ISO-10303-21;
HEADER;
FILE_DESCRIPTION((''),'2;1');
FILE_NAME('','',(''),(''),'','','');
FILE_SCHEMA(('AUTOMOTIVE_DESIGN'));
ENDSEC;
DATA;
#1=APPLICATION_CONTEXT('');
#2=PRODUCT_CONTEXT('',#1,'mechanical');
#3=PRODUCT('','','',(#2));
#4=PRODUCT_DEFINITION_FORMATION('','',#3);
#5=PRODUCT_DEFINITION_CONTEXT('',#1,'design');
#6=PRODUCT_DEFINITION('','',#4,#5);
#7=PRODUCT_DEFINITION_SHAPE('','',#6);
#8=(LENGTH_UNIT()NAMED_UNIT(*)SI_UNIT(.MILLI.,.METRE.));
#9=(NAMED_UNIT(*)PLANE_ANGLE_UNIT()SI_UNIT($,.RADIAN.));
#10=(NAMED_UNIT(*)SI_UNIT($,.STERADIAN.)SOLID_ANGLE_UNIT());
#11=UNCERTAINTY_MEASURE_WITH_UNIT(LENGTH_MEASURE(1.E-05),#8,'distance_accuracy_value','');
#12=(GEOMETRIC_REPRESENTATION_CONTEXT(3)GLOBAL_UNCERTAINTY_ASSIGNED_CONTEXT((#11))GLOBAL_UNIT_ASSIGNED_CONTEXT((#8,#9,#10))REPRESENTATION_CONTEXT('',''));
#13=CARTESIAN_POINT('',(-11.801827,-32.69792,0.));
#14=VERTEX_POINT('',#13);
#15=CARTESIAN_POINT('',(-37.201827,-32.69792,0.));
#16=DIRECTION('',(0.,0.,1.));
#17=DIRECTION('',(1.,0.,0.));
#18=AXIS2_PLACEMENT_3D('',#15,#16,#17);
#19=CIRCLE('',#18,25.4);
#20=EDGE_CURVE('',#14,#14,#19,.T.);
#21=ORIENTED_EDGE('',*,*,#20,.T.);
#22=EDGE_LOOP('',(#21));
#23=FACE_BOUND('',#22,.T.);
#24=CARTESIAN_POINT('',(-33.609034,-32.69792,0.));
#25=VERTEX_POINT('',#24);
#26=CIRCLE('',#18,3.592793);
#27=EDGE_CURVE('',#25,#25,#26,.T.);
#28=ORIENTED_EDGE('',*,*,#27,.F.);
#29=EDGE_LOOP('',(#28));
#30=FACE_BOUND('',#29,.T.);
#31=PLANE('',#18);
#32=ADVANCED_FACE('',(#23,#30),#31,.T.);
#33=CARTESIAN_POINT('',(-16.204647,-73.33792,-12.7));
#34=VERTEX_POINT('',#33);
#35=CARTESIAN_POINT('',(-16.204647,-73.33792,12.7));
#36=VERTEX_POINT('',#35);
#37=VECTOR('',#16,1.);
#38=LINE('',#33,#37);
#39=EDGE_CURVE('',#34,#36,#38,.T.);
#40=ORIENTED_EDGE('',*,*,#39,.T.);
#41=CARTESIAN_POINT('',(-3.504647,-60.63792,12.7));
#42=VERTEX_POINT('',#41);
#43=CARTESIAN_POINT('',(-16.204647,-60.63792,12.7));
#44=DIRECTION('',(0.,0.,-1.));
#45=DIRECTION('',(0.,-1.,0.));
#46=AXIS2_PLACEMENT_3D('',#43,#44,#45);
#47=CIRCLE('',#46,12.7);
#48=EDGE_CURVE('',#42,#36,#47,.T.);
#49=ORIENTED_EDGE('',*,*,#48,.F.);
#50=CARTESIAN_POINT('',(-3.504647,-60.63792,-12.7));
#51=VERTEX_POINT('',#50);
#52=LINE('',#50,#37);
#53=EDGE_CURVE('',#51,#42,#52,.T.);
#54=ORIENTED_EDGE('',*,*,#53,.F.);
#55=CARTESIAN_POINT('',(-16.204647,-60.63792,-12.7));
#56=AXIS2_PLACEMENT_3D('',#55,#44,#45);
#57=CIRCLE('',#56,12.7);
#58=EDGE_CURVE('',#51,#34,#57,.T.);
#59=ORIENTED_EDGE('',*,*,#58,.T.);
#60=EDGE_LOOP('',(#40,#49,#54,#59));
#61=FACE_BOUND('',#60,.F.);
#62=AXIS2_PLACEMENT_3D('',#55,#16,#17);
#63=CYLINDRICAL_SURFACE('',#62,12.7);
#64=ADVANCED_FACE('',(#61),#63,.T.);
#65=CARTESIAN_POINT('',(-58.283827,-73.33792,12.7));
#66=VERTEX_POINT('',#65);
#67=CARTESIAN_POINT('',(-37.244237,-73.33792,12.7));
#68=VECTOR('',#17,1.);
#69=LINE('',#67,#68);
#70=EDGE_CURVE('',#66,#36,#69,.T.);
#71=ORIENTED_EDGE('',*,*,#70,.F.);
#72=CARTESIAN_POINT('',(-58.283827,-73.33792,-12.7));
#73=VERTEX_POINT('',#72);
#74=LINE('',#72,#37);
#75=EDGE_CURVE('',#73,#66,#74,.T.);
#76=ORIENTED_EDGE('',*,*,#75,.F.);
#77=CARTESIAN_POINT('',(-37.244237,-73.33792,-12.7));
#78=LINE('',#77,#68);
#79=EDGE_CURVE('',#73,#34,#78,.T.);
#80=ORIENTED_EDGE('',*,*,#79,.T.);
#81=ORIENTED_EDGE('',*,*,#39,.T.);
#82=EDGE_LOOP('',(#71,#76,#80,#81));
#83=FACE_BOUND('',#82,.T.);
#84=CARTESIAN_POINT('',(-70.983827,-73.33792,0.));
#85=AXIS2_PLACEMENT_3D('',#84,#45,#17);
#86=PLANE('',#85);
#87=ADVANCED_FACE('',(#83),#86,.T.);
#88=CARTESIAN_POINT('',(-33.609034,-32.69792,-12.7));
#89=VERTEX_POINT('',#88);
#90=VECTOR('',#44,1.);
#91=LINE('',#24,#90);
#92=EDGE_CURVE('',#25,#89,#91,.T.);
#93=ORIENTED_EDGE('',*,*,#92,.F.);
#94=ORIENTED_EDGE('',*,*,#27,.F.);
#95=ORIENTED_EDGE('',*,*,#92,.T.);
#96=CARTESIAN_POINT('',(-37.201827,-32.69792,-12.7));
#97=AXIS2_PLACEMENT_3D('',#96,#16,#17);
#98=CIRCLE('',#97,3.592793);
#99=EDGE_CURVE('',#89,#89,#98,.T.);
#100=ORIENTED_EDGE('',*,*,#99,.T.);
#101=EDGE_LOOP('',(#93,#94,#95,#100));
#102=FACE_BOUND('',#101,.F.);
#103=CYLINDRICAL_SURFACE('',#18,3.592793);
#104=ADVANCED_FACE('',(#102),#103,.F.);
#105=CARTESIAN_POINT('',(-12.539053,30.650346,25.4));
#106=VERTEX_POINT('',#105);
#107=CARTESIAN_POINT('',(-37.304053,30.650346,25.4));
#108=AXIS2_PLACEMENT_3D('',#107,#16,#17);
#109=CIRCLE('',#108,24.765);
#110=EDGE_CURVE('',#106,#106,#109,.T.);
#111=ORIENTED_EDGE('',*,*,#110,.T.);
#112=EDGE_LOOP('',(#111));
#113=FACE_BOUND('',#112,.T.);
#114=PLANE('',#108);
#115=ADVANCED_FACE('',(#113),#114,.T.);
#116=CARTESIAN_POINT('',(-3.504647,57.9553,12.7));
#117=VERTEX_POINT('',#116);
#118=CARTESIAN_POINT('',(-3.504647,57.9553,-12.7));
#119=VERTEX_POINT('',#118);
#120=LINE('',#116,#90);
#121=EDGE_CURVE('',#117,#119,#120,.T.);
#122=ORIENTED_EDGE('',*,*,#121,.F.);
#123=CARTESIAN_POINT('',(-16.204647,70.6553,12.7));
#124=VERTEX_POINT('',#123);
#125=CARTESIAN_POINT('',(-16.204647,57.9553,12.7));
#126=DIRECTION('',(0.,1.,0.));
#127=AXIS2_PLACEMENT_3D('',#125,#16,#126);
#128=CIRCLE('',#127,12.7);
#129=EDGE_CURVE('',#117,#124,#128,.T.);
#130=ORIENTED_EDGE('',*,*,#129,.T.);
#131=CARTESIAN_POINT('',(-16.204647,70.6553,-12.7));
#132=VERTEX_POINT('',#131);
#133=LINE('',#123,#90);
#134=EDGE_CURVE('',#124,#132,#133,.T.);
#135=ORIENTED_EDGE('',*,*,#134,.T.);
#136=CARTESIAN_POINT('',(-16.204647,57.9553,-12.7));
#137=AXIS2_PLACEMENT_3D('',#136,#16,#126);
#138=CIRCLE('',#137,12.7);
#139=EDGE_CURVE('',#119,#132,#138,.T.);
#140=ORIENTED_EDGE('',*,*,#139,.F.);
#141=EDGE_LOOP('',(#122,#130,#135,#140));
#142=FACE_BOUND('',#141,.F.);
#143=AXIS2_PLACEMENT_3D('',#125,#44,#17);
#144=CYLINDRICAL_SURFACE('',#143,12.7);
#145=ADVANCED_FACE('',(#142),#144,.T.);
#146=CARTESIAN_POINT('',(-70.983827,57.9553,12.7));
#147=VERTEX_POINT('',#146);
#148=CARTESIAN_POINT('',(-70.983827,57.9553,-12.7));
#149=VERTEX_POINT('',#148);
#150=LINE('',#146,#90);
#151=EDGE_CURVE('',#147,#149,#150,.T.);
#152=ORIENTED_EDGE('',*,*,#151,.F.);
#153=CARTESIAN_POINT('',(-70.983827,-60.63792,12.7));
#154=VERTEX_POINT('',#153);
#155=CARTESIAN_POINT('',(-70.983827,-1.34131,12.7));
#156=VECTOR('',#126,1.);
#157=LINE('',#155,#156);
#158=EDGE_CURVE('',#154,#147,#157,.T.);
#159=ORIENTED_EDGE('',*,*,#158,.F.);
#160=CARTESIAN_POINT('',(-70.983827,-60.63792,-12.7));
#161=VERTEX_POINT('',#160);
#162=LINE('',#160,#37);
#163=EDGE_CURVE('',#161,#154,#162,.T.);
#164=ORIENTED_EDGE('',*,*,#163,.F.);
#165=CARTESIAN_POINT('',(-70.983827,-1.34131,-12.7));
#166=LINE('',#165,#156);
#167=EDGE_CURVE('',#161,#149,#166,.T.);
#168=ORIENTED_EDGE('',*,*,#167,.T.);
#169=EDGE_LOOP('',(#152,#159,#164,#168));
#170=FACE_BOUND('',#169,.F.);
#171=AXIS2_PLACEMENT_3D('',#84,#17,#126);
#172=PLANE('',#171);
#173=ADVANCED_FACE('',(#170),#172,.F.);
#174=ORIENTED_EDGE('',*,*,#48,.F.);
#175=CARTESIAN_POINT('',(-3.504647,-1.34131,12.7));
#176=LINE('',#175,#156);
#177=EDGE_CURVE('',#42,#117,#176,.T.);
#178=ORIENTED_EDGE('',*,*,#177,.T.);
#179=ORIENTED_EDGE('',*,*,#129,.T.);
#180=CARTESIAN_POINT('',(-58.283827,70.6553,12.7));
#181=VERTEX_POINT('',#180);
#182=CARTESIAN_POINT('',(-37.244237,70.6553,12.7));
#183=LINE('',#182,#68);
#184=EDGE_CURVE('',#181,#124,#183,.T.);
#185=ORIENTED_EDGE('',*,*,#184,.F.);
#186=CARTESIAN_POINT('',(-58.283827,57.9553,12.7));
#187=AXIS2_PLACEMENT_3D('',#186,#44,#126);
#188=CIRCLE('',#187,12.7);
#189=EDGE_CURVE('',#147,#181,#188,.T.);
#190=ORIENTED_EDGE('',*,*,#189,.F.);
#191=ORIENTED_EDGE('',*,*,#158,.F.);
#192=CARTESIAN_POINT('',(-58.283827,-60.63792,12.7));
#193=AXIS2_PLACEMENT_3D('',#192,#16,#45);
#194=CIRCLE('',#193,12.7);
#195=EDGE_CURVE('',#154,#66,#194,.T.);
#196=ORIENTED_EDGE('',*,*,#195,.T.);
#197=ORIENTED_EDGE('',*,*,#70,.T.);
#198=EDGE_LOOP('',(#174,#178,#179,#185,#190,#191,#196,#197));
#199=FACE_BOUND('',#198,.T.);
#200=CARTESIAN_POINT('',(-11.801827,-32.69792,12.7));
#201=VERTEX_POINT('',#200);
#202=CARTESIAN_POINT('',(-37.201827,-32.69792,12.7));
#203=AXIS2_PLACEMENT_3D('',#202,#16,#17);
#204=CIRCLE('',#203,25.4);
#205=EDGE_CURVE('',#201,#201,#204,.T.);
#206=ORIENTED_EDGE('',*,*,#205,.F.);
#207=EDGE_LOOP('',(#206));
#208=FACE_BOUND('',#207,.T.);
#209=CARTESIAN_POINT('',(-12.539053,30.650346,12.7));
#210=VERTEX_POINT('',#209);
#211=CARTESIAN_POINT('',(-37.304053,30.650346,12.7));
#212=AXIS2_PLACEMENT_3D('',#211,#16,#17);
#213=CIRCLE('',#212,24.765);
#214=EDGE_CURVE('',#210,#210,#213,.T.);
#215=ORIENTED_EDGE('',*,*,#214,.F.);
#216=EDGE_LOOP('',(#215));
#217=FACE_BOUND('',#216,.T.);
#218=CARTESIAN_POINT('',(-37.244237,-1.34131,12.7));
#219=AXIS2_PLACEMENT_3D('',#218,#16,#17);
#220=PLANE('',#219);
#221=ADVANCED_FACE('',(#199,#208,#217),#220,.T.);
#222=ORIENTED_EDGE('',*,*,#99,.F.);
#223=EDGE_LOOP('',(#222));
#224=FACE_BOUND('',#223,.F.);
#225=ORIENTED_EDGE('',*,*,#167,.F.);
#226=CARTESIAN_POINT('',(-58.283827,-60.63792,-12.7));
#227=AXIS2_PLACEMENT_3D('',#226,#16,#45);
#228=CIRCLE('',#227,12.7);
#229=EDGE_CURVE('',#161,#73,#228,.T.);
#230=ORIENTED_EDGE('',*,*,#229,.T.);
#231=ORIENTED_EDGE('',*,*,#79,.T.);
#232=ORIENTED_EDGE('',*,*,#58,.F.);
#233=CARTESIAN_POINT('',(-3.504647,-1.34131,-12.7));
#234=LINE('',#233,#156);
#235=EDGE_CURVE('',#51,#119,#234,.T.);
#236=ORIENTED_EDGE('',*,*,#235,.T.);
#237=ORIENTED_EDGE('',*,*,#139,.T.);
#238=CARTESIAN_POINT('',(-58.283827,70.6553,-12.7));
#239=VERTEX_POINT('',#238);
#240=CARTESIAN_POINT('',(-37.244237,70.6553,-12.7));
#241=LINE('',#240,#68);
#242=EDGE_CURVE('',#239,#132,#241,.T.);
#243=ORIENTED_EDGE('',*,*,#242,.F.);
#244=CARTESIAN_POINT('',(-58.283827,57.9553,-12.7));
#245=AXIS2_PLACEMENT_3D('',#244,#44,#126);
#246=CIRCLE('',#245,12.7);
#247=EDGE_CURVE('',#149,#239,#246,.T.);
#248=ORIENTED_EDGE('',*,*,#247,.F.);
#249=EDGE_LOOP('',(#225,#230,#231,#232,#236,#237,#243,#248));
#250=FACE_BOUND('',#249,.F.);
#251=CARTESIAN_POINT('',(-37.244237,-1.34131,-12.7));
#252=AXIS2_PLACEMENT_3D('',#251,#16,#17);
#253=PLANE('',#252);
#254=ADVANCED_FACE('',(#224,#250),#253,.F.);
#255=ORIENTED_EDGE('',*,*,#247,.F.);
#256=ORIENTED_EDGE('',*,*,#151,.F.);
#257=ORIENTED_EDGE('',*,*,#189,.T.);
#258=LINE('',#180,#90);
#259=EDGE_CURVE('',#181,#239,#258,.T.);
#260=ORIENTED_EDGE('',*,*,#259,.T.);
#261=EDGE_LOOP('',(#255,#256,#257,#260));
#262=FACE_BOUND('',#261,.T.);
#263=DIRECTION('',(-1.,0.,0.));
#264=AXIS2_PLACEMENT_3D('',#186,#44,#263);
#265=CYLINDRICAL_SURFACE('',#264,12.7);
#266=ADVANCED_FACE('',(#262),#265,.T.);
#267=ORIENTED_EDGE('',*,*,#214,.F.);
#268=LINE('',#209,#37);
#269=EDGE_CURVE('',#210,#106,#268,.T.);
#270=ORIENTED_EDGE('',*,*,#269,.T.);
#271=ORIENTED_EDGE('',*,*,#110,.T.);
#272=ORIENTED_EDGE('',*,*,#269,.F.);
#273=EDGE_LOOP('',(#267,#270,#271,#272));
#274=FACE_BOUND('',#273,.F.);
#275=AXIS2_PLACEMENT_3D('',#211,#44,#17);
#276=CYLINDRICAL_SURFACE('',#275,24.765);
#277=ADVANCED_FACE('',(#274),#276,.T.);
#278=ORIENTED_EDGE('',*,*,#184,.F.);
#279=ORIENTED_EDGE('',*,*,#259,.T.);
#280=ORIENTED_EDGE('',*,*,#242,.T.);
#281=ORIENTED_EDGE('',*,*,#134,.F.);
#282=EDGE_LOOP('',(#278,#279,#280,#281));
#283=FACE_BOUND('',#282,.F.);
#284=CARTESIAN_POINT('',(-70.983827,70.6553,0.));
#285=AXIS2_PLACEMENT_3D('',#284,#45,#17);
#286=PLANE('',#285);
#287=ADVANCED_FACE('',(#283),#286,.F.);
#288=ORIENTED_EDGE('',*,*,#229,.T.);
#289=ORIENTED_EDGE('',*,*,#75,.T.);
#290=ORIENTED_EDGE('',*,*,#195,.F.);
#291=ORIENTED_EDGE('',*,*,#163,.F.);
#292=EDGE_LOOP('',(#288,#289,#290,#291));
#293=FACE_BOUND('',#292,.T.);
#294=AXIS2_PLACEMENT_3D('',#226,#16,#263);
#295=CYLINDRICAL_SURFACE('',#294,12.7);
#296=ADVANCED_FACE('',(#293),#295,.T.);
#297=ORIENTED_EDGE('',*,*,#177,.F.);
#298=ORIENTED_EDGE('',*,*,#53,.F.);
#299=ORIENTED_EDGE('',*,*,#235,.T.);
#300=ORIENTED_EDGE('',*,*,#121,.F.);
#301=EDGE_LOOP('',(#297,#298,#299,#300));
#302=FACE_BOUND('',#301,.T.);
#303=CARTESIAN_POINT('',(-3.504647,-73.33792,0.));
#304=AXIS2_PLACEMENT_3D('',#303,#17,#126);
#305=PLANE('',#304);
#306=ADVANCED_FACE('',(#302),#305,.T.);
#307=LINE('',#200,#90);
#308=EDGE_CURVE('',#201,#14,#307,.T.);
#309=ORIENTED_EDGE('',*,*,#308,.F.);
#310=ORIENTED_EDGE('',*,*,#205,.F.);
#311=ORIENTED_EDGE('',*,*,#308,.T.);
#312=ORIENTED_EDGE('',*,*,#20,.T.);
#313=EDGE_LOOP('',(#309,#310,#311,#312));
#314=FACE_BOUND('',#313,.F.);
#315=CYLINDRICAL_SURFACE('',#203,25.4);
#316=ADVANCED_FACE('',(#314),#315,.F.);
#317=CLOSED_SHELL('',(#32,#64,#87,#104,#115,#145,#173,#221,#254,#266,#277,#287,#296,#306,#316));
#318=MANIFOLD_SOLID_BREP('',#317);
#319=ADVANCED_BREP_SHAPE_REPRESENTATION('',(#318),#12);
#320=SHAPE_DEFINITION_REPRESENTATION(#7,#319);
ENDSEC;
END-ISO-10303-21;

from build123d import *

# Parameters (mm, degrees)
F0_W     = 67.47918
F0_H     = 143.993221
F1_DEPTH = 12.7
F2_R     = 12.7
F3_R     = 25.4
F4_DEPTH = 12.7
F5_R     = 3.592793
F6_DEPTH = 12.7
F7_R     = 24.765
F8_DEPTH = 12.7


with BuildPart() as f1:
    # F0 (on Top) → F1 (new body, symmetric)
    with BuildSketch(Plane.XY):
        with Locations((-37.244237, -1.34131)):
            Rectangle(F0_W, F0_H)
    extrude(amount=F1_DEPTH, both=True)

    # F2
    f2_edges = [f1.edges().sort_by_distance(p)[0] for p in [
        (-70.983827, -73.33792, 0),
        (-3.504647, -73.33792, 0),
        (-3.504647, 70.655301, 0),
        (-70.983827, 70.655301, 0),
    ]]
    fillet(f2_edges, radius=F2_R)

    # F3 (on face) → F4 (cut)
    with BuildSketch(Plane.XY.offset(12.7)):
        with Locations((-37.201827, -32.69792)):
            Circle(F3_R)
    extrude(amount=-F4_DEPTH, mode=Mode.SUBTRACT)

    # F5 (on face) → F6 (cut, through all)
    with BuildSketch(Plane.XY):
        with Locations((-37.201827, -32.69792)):
            Circle(F5_R)
    extrude(amount=-F6_DEPTH, mode=Mode.SUBTRACT)

    # F7 (on face) → F8 (join)
    with BuildSketch(Plane.XY.offset(12.7)):
        with Locations((-37.304053, 30.650346)):
            Circle(F7_R)
    extrude(amount=F8_DEPTH)


solid = f1.part
